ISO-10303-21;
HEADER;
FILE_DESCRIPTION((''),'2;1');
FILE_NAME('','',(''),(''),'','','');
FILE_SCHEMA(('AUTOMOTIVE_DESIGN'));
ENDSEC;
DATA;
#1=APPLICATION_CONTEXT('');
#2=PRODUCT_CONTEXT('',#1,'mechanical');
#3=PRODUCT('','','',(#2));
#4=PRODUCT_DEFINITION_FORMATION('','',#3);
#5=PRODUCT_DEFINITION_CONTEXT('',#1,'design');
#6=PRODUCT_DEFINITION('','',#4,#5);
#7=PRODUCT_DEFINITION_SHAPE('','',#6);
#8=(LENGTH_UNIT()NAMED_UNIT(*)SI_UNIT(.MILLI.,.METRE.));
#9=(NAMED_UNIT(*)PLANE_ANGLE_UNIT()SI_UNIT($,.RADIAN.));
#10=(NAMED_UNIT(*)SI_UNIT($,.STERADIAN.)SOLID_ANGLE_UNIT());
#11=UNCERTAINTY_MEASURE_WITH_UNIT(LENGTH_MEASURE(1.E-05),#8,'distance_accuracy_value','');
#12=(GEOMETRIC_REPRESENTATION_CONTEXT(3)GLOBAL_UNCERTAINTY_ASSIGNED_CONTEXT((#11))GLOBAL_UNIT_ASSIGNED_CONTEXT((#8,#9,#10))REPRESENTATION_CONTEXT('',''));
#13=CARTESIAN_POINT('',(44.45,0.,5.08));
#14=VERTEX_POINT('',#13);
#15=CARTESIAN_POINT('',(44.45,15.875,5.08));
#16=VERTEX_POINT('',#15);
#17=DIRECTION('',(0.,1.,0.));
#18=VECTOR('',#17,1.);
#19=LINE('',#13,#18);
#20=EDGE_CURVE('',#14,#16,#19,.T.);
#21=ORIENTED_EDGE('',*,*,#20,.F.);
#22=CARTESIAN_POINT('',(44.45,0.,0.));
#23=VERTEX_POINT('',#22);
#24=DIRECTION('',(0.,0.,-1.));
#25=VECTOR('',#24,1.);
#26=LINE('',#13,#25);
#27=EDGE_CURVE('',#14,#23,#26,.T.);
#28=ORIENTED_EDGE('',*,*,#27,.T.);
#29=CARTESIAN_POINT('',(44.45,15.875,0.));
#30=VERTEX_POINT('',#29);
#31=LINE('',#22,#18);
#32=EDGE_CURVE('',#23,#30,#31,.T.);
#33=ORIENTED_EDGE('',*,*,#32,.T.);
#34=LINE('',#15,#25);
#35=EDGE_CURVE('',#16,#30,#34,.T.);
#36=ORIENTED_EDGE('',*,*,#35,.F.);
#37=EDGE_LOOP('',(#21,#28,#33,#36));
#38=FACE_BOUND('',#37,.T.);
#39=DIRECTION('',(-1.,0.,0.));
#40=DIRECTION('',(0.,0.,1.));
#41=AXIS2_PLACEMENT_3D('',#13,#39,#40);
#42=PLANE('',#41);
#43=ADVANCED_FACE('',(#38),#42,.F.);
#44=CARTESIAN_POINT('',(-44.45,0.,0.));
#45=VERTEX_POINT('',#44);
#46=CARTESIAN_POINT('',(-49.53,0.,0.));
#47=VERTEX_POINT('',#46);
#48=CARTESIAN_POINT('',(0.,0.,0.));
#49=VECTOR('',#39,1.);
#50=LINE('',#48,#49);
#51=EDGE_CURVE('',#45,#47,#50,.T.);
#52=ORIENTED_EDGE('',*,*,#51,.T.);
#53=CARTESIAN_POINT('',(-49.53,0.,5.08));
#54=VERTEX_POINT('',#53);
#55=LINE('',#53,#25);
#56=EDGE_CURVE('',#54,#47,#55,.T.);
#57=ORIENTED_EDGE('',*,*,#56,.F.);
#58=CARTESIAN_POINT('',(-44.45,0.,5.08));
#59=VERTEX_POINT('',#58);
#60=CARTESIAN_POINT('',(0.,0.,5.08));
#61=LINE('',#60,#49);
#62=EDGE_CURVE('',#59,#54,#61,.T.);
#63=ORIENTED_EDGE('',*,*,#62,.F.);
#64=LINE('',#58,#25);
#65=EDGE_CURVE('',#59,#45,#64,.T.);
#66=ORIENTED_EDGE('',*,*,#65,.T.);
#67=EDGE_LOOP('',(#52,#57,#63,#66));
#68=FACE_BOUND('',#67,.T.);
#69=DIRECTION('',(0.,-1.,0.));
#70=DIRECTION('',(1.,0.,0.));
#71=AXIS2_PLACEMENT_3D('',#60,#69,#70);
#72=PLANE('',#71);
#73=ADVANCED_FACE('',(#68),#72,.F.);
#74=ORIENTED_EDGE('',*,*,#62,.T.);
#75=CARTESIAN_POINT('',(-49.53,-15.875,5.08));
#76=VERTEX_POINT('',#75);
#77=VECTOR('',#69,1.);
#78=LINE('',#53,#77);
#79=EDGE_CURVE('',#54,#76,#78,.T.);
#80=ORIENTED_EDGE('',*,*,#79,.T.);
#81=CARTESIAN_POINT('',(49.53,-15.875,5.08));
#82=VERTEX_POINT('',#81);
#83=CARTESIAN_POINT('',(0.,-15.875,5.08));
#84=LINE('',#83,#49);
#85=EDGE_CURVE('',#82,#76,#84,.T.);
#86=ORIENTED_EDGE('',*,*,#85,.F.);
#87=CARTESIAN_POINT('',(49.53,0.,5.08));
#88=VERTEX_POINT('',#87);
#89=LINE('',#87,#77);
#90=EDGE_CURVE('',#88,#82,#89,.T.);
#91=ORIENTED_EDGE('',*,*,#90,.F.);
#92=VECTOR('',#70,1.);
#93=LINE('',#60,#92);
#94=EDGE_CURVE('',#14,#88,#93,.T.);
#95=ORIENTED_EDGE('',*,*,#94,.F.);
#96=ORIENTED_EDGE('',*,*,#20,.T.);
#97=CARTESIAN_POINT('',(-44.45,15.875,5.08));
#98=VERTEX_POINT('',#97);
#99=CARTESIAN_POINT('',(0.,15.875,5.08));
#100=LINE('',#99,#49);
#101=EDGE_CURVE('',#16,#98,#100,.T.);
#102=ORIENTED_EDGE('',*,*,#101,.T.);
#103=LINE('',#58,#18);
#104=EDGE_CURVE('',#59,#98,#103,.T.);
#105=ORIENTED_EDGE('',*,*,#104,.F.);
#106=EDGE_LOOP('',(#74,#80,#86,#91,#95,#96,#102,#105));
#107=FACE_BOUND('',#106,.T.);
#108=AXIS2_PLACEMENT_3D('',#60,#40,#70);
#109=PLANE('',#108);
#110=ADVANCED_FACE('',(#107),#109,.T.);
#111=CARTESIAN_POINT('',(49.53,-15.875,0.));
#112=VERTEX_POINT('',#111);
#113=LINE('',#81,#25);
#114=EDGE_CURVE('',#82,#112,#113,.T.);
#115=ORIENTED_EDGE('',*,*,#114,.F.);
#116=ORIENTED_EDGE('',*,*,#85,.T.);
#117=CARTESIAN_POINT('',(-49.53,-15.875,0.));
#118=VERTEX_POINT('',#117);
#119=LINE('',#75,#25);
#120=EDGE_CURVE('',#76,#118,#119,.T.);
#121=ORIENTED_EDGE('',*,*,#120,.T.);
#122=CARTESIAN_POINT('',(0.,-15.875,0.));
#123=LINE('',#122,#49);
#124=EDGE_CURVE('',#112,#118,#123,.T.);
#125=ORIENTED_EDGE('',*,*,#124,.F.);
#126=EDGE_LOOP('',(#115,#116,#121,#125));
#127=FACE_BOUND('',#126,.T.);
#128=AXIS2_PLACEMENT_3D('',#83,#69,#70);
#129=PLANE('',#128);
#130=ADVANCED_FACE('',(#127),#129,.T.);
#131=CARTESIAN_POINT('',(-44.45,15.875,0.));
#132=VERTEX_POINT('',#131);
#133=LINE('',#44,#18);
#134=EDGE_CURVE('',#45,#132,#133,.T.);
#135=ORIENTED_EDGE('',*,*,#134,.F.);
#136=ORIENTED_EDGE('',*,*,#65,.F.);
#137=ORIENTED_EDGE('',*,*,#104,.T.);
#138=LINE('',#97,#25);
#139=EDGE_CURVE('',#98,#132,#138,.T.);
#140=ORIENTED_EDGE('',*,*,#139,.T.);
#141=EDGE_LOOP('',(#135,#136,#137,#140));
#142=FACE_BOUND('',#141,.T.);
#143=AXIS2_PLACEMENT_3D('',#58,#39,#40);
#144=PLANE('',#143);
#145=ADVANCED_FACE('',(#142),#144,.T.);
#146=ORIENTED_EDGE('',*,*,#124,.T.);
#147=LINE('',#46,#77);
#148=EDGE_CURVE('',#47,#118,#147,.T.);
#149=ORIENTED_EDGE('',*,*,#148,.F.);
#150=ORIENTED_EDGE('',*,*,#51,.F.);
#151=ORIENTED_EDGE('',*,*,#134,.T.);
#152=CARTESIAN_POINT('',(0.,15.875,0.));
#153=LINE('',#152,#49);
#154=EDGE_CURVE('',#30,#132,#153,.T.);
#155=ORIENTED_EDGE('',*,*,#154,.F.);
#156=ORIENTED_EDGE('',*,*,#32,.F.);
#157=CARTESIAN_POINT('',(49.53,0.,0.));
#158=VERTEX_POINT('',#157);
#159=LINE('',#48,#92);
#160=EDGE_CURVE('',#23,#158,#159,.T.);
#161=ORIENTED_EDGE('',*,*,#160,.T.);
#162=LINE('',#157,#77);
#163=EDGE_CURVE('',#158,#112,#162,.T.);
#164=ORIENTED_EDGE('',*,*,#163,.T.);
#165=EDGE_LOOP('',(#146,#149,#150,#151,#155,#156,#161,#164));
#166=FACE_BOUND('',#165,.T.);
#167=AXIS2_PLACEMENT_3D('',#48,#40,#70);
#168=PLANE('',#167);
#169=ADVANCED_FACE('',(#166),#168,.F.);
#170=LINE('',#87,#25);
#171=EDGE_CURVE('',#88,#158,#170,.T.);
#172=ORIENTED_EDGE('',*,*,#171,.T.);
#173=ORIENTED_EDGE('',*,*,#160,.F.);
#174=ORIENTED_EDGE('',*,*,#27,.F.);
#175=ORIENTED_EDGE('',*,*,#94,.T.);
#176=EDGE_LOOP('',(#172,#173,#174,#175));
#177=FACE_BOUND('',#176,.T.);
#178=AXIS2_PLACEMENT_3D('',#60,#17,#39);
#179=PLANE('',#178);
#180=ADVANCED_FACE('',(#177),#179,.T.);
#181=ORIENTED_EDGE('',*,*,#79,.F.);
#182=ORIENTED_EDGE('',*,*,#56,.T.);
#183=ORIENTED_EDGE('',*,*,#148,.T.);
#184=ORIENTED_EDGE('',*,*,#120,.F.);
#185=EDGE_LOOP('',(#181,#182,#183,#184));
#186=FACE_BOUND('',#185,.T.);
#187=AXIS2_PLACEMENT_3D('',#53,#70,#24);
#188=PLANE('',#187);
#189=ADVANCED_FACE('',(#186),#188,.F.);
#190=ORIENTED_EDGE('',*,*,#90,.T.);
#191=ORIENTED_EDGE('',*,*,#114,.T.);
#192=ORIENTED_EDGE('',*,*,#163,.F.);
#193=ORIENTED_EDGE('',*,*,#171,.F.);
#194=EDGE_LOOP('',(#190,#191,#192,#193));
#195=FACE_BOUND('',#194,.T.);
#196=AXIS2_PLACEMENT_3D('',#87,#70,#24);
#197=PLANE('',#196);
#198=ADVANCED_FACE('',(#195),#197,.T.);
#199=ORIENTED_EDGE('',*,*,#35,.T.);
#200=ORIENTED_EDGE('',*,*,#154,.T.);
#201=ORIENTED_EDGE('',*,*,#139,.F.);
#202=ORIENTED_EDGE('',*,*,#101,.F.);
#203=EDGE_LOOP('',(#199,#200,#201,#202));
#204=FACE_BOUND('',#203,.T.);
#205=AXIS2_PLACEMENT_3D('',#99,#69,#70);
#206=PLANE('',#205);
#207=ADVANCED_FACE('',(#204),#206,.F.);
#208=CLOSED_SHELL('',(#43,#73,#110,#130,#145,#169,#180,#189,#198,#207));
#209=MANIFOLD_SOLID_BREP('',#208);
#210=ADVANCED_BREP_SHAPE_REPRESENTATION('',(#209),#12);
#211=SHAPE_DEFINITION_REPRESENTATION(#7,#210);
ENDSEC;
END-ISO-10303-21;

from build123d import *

# Parameters (mm, degrees)
SKETCH2_W           = 5.08
SKETCH2_H           = 15.875
BOSS_EXTRUDE1_DEPTH = 5.08


with BuildPart() as part:
    # Sketch2 → Boss-Extrude1 (new body)
    with BuildSketch(Plane.XY):
        with Locations((-46.99, -7.9375)):
            Rectangle(SKETCH2_W, SKETCH2_H)
        Polygon((-44.45, 15.875), (-44.45, 0), (-44.45, -15.875), (44.45, -15.875), (44.45, 0), (44.45, 15.875), align=None)
        with Locations((46.99, -7.9375)):
            Rectangle(SKETCH2_W, SKETCH2_H)
    extrude(amount=BOSS_EXTRUDE1_DEPTH)


solid = part.part
